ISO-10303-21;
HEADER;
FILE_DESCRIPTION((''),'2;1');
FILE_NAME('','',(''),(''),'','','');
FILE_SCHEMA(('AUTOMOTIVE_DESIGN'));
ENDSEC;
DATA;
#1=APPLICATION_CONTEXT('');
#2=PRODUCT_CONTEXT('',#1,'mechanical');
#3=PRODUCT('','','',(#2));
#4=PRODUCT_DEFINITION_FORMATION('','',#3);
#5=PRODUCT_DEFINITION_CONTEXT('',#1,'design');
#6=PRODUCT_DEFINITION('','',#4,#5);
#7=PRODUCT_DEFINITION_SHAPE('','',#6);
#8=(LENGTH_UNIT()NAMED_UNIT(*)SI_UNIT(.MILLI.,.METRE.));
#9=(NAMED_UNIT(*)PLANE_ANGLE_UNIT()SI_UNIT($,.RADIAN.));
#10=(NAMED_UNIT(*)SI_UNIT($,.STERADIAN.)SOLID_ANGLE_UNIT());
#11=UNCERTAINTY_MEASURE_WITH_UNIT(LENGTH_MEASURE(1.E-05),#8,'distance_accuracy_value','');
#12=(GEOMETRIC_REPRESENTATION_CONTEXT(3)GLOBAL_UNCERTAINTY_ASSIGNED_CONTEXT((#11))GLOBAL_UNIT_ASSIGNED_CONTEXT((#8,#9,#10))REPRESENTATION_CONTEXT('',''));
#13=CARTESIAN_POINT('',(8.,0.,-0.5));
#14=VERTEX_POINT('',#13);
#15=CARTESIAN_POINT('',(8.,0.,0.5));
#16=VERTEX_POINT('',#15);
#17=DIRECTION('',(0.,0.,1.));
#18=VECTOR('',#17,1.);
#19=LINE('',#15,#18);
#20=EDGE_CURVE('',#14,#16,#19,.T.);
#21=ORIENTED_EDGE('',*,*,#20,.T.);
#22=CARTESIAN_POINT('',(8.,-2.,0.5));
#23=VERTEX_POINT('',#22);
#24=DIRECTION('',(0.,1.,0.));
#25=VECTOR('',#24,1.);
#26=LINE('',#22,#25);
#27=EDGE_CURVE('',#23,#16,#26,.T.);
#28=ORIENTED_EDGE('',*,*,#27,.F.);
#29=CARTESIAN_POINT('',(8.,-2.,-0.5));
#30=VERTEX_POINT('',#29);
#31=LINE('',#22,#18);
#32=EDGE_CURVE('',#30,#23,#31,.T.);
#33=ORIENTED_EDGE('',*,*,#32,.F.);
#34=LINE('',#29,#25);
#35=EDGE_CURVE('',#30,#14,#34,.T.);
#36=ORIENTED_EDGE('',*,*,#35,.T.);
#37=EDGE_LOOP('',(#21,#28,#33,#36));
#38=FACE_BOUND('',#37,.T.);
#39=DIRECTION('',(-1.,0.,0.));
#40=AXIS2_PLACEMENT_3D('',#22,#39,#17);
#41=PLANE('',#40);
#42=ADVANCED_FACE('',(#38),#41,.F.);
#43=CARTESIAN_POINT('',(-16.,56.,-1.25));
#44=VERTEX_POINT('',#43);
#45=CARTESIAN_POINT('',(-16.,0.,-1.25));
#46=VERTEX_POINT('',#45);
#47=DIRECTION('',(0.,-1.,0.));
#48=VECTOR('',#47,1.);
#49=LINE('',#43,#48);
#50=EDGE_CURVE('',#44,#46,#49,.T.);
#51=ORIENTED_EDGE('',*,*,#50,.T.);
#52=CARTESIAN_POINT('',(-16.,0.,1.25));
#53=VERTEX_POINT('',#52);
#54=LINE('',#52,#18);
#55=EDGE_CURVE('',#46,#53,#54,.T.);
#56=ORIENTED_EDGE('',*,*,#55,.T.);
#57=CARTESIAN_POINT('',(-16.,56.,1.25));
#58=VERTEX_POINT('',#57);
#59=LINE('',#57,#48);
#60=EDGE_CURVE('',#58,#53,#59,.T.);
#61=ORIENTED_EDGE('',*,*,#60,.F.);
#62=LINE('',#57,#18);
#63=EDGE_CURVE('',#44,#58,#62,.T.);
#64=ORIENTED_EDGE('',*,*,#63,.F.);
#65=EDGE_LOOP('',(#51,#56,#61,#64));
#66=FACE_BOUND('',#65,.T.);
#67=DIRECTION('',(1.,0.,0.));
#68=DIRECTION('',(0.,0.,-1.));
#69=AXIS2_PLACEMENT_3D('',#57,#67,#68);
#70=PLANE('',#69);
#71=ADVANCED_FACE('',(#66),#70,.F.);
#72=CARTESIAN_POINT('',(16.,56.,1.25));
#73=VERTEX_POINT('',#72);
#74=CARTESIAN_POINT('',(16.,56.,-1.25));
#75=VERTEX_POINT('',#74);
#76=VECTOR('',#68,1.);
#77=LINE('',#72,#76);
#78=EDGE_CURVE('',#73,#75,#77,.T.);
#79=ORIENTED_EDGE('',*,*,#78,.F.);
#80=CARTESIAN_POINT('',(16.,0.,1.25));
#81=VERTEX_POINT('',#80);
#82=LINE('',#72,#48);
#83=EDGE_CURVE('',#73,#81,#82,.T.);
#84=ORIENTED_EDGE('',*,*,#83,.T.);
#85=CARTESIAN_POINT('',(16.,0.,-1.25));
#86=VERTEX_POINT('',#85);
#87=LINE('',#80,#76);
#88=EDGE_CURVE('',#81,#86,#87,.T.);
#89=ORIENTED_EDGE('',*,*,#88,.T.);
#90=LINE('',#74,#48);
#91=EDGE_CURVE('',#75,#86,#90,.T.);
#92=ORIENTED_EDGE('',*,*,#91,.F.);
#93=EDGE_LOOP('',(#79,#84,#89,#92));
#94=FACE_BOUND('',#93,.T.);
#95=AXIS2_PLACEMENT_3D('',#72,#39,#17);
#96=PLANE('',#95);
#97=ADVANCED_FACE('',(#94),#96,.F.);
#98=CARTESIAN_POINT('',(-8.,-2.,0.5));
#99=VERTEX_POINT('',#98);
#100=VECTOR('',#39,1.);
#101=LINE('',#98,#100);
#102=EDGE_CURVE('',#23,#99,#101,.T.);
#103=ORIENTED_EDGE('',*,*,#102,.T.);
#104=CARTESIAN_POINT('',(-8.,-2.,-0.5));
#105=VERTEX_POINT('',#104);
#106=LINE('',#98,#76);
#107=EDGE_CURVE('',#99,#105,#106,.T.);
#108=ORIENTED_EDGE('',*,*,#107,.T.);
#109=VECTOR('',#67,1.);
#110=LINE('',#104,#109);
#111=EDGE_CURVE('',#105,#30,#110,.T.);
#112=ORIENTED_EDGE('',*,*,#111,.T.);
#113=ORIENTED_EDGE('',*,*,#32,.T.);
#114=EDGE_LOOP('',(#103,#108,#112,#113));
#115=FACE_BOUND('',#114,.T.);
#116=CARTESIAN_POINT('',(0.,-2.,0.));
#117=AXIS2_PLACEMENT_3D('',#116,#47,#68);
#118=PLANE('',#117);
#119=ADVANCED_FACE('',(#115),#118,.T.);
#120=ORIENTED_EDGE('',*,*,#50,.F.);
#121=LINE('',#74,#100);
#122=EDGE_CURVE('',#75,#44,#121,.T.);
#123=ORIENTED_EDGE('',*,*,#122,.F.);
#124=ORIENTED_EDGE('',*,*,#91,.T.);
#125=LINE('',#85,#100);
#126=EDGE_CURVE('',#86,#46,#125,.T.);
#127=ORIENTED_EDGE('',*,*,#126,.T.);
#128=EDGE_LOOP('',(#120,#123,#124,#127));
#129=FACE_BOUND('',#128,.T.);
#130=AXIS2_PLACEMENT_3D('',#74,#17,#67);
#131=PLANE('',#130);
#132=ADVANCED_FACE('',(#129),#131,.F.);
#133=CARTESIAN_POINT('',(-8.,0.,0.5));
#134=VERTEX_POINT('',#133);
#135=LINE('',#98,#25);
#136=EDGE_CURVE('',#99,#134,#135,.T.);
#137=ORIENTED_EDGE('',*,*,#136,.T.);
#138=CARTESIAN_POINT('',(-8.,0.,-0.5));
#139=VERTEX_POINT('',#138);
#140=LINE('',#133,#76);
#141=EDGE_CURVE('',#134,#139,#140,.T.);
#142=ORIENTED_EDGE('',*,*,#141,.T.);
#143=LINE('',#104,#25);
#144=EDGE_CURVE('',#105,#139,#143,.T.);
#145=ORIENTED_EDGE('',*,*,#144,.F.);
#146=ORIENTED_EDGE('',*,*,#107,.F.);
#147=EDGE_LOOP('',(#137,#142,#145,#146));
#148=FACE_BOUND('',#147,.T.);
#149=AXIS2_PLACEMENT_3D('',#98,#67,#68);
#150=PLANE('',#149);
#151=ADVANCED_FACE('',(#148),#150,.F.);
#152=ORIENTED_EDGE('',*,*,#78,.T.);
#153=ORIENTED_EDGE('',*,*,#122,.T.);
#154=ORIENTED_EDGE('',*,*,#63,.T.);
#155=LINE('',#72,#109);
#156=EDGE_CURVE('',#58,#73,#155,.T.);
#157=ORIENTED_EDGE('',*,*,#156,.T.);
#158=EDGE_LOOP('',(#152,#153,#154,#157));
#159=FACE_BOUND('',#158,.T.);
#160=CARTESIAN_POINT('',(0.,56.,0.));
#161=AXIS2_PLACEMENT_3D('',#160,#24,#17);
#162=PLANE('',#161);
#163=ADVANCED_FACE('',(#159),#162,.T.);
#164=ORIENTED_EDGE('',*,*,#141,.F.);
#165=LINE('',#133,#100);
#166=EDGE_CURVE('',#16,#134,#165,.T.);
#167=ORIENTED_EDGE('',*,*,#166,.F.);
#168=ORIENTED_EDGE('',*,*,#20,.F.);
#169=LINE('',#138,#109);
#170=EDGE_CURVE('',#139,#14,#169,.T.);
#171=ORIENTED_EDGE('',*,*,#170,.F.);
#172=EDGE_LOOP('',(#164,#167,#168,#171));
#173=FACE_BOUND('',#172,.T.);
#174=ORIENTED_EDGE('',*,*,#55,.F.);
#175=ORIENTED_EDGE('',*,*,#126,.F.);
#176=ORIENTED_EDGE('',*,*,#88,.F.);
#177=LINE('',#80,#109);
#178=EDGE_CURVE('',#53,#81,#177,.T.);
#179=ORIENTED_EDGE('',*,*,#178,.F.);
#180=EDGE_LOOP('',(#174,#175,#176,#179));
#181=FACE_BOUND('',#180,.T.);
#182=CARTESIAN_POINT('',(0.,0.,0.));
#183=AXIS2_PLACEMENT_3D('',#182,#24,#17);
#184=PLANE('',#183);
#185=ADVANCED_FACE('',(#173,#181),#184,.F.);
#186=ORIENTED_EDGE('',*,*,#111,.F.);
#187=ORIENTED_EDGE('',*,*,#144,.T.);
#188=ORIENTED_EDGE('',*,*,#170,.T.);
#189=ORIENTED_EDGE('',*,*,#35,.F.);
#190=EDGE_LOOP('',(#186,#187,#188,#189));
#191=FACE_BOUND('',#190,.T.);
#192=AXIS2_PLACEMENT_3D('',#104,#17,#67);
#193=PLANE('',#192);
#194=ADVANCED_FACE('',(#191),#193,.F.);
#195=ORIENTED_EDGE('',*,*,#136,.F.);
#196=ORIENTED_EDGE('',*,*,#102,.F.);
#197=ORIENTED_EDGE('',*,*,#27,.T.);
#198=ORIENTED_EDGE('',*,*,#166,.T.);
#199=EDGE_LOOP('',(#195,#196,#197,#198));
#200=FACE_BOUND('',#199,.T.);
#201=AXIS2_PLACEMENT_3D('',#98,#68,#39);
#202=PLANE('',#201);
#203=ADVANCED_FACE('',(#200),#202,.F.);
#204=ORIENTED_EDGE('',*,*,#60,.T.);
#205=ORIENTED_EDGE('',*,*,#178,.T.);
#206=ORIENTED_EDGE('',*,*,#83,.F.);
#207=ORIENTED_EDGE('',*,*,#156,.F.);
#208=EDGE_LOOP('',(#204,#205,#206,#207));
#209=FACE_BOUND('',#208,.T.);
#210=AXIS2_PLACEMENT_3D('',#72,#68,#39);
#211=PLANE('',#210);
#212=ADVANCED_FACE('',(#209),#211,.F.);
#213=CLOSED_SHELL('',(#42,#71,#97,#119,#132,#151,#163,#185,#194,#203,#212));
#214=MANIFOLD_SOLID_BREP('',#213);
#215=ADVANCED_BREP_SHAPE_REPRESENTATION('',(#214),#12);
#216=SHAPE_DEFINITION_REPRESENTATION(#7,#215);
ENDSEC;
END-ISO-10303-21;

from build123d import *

# Parameters (mm, degrees)
SKETCH2_W           = 32
SKETCH2_H           = 2.5
BOSS_EXTRUDE1_DEPTH = 56
SKETCH4_W           = 16
SKETCH4_H           = 1
BOSS_EXTRUDE2_DEPTH = 2


with BuildPart() as part:
    # Sketch2 → Boss-Extrude1 (new body)
    with BuildSketch(Plane(origin=(0, 0, 0), x_dir=(1, 0, 0), z_dir=(0, 1, 0))):
        Rectangle(SKETCH2_W, SKETCH2_H)
    extrude(amount=BOSS_EXTRUDE1_DEPTH)

    # Sketch4 → Boss-Extrude2 (add)
    with BuildSketch(Plane.XZ):
        Rectangle(SKETCH4_W, SKETCH4_H)
    extrude(amount=BOSS_EXTRUDE2_DEPTH)


solid = part.part
